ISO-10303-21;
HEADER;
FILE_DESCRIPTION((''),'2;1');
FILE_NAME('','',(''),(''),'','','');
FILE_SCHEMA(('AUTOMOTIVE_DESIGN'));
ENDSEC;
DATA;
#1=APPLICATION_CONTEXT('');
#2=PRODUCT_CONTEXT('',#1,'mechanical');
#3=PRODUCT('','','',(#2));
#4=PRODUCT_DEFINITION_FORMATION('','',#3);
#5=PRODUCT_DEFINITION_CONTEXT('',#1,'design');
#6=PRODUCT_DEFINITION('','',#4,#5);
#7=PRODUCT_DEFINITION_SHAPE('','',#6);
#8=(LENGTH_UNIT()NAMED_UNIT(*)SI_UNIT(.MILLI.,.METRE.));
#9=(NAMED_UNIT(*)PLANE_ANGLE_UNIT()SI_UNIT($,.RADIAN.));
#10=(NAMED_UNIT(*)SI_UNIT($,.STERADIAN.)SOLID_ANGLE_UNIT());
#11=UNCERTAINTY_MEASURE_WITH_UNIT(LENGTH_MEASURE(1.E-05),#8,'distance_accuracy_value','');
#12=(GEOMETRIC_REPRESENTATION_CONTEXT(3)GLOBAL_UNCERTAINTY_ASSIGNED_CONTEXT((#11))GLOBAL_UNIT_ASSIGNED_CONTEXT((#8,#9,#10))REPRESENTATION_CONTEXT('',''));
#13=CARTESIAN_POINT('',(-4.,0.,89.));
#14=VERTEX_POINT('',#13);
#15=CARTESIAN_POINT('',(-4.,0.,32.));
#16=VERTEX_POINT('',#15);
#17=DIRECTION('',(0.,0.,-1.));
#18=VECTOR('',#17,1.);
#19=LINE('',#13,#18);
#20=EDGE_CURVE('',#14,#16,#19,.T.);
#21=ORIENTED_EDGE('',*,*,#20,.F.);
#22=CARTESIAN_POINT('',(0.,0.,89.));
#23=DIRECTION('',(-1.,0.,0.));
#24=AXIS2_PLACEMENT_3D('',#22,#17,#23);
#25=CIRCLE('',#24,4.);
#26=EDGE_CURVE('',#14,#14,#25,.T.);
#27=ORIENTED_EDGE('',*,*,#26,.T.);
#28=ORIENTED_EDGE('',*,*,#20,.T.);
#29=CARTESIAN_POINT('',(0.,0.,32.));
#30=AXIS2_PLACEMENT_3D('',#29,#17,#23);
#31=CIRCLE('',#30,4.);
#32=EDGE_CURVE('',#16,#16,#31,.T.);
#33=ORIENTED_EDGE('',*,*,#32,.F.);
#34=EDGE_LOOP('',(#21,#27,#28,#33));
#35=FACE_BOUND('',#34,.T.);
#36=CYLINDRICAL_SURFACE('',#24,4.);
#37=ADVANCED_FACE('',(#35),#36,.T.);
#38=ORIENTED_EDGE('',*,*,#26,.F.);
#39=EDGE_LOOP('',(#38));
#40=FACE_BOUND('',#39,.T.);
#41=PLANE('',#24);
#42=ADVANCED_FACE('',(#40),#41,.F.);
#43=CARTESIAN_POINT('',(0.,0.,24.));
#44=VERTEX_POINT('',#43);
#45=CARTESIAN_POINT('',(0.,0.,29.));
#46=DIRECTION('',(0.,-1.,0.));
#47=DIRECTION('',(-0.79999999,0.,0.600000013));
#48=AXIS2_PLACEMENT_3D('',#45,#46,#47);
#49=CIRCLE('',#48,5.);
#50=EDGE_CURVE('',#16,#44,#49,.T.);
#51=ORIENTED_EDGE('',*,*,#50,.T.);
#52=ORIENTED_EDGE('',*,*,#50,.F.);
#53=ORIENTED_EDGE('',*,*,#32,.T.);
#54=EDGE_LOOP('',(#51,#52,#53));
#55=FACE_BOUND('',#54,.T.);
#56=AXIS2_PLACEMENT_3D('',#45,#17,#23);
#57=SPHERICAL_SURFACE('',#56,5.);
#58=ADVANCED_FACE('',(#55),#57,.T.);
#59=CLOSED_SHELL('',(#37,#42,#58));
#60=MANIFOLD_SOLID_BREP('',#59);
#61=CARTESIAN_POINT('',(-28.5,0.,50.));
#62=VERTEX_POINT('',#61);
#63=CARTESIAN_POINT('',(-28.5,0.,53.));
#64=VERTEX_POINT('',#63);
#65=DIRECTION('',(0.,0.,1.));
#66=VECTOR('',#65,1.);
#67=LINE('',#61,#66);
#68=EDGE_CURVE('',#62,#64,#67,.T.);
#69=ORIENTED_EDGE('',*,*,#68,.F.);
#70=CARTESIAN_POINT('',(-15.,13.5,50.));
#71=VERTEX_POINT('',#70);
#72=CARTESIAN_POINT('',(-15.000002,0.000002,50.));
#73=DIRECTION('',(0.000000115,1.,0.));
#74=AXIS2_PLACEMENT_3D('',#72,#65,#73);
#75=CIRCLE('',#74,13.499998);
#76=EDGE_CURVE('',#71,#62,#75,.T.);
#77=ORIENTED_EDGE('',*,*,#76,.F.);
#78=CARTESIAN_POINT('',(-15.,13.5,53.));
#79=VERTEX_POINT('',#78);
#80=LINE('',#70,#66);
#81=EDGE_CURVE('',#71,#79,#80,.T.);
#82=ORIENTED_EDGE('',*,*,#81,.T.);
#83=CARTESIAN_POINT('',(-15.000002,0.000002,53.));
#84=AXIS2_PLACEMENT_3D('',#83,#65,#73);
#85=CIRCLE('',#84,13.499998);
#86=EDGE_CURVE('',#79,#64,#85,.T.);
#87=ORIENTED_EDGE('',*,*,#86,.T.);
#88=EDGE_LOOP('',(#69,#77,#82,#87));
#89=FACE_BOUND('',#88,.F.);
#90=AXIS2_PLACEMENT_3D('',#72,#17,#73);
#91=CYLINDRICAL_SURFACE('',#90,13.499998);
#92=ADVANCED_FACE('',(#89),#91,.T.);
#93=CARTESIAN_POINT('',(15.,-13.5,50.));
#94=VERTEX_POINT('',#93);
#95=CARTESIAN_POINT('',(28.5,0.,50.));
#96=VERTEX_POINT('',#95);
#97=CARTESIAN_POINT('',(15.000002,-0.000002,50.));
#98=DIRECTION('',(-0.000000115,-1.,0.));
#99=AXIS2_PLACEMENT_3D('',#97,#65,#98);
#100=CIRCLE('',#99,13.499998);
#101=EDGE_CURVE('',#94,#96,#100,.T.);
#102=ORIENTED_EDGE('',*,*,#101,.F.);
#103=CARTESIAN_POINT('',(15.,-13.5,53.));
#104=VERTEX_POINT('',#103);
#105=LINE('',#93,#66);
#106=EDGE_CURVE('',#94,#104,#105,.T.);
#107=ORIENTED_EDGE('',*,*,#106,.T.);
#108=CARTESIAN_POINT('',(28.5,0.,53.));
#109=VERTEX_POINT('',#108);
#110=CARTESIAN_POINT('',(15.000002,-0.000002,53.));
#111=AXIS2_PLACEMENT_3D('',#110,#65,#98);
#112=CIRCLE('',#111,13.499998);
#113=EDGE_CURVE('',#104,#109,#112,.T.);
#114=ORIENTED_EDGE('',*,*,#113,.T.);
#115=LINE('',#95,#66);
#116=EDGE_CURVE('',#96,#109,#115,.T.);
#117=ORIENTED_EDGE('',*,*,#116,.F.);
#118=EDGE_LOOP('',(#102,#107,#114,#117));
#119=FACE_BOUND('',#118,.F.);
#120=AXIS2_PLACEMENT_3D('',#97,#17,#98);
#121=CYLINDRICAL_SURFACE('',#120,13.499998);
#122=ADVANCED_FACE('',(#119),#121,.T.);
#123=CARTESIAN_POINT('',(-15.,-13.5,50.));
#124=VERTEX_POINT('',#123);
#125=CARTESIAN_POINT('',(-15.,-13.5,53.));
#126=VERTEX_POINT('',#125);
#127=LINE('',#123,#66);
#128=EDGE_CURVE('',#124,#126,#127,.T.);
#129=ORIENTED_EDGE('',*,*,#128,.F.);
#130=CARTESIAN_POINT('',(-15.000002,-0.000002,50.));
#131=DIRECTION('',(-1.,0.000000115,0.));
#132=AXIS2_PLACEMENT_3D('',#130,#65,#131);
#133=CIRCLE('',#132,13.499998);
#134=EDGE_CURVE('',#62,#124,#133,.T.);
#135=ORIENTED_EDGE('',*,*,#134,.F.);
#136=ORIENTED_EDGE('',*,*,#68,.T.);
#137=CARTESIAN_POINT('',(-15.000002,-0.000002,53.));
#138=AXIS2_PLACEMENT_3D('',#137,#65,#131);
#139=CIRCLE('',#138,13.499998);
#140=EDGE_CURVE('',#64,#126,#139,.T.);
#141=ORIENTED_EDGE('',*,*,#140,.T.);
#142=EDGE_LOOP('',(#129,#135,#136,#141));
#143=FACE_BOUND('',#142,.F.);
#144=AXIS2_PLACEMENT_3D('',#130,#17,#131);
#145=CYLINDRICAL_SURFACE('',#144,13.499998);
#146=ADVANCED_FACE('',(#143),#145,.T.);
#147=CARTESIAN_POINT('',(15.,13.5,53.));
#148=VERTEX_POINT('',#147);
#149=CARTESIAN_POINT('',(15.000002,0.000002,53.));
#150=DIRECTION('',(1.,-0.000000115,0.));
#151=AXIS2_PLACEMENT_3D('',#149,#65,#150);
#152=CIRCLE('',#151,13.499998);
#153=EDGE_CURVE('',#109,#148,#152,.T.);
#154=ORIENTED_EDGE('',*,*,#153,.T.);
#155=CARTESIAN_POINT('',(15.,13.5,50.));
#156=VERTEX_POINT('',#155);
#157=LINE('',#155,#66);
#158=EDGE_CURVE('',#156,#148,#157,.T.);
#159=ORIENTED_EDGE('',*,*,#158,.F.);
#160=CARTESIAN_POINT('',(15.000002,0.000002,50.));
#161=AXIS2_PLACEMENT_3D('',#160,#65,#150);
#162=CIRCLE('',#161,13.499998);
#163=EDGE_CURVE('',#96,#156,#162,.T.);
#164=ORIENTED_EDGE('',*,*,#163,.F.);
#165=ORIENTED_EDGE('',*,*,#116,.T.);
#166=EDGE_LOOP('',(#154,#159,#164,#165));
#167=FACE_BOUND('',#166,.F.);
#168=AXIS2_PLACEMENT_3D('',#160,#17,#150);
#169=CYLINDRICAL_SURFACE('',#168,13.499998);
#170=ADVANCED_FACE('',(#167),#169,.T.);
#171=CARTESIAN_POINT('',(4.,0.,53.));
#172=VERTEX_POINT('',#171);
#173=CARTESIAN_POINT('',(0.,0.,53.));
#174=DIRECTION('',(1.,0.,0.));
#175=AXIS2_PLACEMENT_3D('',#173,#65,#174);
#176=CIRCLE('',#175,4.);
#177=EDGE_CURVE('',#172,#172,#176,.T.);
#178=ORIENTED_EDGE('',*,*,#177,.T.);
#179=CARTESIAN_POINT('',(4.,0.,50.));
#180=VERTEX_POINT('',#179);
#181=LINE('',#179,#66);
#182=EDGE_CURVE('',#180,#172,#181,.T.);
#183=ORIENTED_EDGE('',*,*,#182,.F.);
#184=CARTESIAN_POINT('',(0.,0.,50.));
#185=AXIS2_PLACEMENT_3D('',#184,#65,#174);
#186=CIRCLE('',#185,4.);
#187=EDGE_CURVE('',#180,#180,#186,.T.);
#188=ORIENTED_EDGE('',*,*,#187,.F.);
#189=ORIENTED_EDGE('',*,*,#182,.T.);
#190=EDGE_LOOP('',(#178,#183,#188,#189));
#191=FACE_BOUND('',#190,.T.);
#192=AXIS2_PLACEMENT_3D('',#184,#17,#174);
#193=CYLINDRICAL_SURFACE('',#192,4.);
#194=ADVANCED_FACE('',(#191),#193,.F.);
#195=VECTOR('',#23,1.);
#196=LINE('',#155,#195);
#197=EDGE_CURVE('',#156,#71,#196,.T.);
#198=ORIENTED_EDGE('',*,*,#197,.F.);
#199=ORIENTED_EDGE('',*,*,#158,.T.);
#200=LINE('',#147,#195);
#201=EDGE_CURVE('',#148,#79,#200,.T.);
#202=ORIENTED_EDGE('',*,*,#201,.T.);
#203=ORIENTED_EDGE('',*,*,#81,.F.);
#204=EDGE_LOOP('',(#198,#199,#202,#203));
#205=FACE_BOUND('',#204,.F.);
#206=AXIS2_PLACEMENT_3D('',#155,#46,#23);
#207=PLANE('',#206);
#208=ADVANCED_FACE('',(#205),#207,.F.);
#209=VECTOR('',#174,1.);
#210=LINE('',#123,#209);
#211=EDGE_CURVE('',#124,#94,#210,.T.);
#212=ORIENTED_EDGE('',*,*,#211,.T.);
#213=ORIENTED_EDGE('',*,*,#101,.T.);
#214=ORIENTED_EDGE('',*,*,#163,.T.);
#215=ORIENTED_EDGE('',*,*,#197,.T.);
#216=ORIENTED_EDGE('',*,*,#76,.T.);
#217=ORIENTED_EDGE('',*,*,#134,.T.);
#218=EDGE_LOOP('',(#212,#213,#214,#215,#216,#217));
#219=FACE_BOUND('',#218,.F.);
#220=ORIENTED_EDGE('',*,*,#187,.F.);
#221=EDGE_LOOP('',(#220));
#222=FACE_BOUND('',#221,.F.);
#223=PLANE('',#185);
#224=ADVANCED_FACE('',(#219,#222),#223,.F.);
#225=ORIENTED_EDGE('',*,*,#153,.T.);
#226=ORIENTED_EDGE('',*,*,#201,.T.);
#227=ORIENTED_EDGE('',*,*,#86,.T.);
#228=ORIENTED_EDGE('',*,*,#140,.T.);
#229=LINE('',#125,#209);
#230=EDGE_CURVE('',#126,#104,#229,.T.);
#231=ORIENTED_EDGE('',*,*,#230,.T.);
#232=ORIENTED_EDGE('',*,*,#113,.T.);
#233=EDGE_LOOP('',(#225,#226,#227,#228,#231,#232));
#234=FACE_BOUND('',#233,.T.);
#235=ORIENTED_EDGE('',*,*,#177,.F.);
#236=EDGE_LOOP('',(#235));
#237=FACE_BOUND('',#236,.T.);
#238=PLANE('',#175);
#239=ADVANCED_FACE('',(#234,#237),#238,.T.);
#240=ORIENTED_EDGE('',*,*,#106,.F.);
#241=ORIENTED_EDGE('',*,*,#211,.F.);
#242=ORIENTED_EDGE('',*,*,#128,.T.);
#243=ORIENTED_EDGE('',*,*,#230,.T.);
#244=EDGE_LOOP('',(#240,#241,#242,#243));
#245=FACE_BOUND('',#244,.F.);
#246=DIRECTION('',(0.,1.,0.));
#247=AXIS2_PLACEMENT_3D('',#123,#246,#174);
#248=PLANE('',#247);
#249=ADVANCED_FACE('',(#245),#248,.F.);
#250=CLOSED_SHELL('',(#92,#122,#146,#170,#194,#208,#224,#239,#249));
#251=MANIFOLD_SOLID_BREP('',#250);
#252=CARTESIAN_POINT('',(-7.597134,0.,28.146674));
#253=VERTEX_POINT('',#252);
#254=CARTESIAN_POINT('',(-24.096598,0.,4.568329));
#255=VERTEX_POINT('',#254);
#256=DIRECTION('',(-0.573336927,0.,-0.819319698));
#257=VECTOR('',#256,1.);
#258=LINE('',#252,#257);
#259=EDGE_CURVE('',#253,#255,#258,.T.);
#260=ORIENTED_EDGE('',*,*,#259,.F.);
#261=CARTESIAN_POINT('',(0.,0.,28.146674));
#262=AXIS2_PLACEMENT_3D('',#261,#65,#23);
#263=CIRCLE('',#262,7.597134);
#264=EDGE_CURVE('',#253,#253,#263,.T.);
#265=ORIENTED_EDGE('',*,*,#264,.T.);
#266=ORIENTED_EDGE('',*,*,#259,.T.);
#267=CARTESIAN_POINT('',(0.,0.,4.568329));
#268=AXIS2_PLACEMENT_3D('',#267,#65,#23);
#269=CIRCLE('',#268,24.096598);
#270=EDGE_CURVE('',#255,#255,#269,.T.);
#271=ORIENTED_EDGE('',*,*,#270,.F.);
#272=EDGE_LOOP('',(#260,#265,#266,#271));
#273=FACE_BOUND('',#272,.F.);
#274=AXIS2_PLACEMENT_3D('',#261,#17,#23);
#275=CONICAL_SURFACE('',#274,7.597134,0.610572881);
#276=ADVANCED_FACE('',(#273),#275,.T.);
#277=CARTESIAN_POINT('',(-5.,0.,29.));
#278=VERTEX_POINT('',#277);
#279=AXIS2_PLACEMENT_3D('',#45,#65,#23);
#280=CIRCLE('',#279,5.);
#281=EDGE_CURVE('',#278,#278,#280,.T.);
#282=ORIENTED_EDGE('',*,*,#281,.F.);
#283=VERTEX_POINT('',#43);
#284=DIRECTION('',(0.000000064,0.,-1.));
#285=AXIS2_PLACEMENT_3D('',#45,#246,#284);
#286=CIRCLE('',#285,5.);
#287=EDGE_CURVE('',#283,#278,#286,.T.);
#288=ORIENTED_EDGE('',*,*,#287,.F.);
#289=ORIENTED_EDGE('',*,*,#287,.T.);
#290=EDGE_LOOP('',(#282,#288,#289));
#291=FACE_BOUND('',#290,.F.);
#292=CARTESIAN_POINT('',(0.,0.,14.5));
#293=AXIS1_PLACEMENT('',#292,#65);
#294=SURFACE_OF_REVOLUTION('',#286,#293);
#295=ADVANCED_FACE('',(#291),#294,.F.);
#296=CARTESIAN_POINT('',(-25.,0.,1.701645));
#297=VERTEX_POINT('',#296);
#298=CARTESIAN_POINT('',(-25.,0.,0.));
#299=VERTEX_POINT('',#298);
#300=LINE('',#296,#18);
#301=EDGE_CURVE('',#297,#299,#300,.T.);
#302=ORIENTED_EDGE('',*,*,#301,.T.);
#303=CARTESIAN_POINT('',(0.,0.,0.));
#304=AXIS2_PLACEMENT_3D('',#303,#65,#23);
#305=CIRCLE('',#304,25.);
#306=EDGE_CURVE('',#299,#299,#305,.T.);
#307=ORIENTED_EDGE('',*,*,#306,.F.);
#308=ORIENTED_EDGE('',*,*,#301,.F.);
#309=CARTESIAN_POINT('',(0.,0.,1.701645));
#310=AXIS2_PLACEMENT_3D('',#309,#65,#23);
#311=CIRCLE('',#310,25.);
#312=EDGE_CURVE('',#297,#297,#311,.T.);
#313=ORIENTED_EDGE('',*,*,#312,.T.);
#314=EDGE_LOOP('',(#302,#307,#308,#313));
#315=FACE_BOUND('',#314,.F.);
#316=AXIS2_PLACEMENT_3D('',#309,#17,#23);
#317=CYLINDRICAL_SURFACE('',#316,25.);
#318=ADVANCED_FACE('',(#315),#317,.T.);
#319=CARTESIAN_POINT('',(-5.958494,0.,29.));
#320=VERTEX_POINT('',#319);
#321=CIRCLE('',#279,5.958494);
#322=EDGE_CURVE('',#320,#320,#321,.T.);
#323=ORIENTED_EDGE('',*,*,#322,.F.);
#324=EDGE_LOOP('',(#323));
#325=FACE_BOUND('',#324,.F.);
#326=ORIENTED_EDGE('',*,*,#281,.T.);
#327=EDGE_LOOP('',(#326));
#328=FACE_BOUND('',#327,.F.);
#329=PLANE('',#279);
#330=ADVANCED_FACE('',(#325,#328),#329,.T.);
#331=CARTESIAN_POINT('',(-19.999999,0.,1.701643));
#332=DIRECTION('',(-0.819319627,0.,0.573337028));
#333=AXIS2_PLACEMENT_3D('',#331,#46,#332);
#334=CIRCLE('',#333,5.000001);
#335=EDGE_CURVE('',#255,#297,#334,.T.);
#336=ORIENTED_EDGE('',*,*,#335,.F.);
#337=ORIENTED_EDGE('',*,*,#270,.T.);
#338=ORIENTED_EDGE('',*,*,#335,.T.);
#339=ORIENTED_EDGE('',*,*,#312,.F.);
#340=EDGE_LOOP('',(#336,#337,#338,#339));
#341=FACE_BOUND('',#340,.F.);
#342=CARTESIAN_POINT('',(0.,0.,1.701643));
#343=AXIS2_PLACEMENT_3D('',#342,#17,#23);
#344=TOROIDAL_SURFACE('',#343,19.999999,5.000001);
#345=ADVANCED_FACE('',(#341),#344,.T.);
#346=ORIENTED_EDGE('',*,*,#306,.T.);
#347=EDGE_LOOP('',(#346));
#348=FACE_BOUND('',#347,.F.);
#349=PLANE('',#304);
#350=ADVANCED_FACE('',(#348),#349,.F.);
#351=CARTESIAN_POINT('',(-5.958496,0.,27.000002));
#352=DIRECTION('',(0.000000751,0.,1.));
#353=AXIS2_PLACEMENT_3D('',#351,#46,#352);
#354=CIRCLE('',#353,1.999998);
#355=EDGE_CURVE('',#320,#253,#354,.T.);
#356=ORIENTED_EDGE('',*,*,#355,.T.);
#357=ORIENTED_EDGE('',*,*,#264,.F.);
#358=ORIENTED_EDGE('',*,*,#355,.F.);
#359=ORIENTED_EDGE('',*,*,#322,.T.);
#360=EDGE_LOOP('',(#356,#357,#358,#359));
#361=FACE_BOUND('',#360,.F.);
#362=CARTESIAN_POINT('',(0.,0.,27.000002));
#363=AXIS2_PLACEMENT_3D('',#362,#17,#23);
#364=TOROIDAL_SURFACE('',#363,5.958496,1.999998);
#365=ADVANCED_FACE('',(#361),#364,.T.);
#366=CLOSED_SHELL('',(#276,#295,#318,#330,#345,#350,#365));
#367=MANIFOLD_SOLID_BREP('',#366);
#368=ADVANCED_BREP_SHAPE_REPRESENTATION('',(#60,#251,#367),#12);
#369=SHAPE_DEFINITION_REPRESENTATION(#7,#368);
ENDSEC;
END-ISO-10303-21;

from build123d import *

# Parameters (mm, degrees)
F5_R     = 4
F6_DEPTH = 3


with BuildPart() as f1:
    # F0 (on Front) → F1 (revolve)
    with BuildSketch(Plane.XZ):
        with BuildLine():
            Line((-25, 0), (0, 0))
            Line((0, 0), (0, 24))
            ThreePointArc((0, 24), (-3.535534, 25.464466), (-5, 29))
            Line((-5, 29), (-5.958494, 29))
            ThreePointArc((-5.958494, 29), (-6.882251, 28.773887), (-7.597134, 28.146674))
            Line((-7.597134, 28.146674), (-24.096598, 4.568329))
            ThreePointArc((-24.096598, 4.568329), (-24.768804, 3.204477), (-25, 1.701645))
            Line((-25, 1.701645), (-25, 0))
        make_face()
    revolve(axis=Axis((0, 0, 14.5), (0, 0, 1)))


with BuildPart() as f3:
    # F2 (on Front) → F3 (revolve)
    with BuildSketch(Plane.XZ):
        with BuildLine():
            Line((-4, 89), (-4, 32))
            ThreePointArc((-4, 32), (-4.472136, 26.763932), (0, 24))
            Line((0, 24), (0, 34))
            Line((0, 34), (0, 89))
            Line((0, 89), (-4, 89))
        make_face()
    revolve(axis=Axis((0, 0, 29), (0, 0, -1)))


with BuildPart() as f6:
    # F5 (on offset) → F6 (new body)
    with BuildSketch(Plane.XY.offset(50)):
        with BuildLine():
            Line((15, 13.5), (-15, 13.5))
            ThreePointArc((-15, 13.5), (-24.545942, 9.545942), (-28.5, 0))
            ThreePointArc((-28.5, 0), (-24.545942, -9.545942), (-15, -13.5))
            Line((-15, -13.5), (15, -13.5))
            ThreePointArc((15, -13.5), (24.545942, -9.545942), (28.5, 0))
            ThreePointArc((28.5, 0), (24.545942, 9.545942), (15, 13.5))
        make_face()
        Circle(F5_R, mode=Mode.SUBTRACT)
    extrude(amount=F6_DEPTH)


solid = Compound([f1.part, f3.part, f6.part])
